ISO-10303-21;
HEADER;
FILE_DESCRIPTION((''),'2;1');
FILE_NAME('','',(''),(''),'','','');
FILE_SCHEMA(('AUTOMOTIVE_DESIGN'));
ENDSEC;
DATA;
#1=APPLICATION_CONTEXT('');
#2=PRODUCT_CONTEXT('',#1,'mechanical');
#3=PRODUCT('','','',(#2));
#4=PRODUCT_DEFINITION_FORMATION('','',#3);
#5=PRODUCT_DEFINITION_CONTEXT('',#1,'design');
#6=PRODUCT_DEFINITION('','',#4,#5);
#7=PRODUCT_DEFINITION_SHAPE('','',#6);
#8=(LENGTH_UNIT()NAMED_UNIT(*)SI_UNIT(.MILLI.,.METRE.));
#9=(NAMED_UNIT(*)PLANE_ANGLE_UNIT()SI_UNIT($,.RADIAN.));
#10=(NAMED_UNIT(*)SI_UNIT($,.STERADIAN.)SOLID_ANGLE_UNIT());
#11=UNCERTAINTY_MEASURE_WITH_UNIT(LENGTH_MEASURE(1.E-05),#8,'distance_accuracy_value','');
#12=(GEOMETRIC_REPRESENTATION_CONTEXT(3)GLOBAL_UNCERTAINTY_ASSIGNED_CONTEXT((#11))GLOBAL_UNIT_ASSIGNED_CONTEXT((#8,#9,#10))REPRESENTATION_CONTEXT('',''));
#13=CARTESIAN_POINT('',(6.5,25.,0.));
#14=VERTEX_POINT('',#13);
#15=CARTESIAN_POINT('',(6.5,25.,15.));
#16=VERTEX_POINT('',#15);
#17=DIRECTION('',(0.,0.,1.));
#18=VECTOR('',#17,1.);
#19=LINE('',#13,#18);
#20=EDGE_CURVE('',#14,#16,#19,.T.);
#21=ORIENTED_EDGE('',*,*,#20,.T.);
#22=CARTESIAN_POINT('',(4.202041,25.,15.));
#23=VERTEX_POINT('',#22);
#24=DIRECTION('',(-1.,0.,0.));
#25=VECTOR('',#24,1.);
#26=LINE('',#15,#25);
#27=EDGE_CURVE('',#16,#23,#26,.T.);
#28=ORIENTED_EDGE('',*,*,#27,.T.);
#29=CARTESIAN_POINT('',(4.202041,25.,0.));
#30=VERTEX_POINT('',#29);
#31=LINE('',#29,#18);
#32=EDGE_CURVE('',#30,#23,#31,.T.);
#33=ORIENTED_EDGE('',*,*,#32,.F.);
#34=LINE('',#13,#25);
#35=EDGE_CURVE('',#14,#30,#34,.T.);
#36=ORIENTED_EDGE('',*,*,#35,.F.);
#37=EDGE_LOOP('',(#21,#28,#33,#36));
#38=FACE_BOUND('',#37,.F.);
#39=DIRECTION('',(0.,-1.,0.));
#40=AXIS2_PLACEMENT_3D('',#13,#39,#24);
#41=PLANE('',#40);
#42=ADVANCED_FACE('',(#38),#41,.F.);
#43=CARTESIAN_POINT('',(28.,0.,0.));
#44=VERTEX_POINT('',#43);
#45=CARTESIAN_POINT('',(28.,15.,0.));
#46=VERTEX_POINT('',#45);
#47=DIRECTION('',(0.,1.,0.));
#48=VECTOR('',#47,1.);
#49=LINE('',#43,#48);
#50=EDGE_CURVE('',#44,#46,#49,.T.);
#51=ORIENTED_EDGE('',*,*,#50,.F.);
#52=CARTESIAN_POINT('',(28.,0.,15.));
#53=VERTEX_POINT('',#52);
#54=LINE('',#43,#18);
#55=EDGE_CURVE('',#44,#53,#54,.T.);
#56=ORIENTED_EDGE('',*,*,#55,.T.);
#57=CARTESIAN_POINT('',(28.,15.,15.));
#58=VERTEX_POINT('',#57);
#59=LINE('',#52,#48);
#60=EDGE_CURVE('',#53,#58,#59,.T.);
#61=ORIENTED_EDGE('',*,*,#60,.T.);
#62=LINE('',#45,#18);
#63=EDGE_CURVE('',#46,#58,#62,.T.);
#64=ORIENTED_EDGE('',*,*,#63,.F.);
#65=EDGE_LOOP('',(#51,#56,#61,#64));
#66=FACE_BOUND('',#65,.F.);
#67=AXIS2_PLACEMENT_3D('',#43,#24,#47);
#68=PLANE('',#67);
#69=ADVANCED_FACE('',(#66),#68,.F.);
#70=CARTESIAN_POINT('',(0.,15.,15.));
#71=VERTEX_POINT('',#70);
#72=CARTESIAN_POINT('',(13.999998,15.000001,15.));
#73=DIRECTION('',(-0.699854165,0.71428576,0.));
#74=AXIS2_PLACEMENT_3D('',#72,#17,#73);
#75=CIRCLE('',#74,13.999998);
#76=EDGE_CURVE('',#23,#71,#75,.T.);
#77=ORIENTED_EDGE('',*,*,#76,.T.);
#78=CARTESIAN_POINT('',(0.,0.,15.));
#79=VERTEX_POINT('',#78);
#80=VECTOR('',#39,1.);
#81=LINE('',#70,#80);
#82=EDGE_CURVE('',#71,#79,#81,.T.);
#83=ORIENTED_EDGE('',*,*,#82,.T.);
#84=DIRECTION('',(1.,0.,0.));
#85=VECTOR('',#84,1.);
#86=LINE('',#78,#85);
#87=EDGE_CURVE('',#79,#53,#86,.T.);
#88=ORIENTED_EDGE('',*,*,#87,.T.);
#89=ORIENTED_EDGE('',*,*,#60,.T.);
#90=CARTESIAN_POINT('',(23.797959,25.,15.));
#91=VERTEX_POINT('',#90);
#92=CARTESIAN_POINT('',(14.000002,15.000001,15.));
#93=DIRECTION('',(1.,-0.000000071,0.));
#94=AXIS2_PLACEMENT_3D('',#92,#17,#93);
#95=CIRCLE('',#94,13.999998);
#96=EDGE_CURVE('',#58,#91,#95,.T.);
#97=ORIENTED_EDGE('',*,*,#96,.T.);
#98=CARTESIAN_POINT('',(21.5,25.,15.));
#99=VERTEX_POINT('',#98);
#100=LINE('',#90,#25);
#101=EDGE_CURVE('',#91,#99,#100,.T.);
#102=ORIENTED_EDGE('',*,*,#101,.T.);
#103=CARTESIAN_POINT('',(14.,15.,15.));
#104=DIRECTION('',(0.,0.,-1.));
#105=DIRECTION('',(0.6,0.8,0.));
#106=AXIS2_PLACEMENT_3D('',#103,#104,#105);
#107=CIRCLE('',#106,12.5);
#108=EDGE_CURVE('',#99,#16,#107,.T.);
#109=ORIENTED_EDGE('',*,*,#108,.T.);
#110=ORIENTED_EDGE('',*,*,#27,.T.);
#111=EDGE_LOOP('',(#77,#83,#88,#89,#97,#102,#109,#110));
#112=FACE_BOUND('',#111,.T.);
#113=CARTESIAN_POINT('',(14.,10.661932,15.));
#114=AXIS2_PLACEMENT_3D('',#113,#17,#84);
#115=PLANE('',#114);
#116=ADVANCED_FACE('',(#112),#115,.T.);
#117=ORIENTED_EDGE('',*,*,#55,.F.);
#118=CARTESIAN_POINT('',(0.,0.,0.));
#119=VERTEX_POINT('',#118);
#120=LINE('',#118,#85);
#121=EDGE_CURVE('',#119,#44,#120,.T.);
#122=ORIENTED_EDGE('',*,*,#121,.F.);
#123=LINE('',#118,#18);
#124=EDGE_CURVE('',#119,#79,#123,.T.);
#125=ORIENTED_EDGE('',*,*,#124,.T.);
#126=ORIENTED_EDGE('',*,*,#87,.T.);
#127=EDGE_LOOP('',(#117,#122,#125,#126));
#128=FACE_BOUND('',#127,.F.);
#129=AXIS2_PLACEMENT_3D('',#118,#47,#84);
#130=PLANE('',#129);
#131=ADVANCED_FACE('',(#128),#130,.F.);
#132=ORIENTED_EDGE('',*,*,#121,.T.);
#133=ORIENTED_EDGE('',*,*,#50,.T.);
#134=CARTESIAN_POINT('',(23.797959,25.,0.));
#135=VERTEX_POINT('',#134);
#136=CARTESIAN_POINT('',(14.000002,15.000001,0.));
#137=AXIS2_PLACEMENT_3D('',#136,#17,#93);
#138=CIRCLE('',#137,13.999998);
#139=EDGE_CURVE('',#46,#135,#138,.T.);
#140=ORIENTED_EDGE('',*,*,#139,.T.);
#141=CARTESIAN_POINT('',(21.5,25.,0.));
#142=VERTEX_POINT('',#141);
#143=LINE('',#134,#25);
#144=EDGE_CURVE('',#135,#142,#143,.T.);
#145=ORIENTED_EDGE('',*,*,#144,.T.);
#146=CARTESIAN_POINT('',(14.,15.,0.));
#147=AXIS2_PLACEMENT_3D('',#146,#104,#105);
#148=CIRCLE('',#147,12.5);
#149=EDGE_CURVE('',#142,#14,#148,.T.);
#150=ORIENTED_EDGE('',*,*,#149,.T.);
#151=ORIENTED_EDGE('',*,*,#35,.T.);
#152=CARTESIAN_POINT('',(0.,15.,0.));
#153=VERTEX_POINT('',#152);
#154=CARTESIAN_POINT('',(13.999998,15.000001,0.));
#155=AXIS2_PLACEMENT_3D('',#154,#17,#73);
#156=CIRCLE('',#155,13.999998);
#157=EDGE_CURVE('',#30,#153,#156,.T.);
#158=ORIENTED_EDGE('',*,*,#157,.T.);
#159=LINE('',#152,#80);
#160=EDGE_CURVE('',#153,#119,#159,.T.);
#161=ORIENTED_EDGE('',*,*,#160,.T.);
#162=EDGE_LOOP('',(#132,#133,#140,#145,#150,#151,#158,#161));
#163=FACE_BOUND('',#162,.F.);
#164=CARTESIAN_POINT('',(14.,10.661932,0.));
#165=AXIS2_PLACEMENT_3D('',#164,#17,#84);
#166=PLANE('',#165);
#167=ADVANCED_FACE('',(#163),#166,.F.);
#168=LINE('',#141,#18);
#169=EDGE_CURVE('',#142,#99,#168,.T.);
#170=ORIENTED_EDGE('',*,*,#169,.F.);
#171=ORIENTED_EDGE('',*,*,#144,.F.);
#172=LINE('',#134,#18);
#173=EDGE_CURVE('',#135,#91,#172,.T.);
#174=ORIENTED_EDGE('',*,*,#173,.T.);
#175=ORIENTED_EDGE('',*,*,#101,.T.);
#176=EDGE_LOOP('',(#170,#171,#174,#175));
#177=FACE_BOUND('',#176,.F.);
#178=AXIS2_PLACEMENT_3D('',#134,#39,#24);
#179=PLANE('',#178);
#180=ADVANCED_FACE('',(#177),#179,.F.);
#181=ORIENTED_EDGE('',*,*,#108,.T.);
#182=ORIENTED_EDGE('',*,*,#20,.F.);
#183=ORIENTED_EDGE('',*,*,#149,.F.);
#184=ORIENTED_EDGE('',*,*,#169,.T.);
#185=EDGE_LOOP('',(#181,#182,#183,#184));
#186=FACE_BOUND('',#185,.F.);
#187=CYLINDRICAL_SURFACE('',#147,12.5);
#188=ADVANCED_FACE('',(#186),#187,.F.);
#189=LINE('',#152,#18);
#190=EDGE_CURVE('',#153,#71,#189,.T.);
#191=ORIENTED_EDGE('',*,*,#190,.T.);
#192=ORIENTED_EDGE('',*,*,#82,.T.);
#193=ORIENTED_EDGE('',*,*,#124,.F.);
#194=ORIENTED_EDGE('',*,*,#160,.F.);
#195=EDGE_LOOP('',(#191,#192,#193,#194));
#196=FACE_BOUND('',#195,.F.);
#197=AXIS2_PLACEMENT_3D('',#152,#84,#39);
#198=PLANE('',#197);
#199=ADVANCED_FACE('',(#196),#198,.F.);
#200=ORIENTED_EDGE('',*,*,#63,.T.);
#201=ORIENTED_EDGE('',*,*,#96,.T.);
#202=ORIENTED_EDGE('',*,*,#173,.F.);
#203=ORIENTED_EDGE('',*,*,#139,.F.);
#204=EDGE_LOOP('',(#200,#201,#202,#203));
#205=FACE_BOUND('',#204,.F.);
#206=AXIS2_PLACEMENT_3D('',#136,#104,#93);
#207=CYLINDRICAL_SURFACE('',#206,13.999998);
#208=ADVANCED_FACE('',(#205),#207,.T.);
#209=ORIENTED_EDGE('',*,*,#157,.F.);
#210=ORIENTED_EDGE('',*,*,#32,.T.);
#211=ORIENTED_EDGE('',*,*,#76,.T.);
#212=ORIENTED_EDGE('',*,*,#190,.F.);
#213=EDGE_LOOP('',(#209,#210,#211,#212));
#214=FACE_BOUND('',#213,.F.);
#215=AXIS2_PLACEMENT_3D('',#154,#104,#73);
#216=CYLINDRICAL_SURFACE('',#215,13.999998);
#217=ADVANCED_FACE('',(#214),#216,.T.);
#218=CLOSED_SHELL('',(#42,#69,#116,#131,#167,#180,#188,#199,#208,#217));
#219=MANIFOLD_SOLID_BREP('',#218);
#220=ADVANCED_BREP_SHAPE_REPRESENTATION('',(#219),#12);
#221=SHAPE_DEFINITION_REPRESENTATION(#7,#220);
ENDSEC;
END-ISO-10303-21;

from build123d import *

# Parameters (mm, degrees)
F1_DEPTH = 15


with BuildPart() as f1:
    # F0 (on Top) → F1 (new body)
    with BuildSketch(Plane.XY):
        with BuildLine():
            ThreePointArc((21.5, 25), (14, 2.5), (6.5, 25))
            Line((6.5, 25), (4.202041, 25))
            ThreePointArc((4.202041, 25), (1.093191, 20.423494), (0, 15))
            Line((0, 15), (0, 0))
            Line((0, 0), (28, 0))
            Line((28, 0), (28, 15))
            ThreePointArc((28, 15), (26.906809, 20.423494), (23.797959, 25))
            Line((23.797959, 25), (21.5, 25))
        make_face()
    extrude(amount=F1_DEPTH)


solid = f1.part
